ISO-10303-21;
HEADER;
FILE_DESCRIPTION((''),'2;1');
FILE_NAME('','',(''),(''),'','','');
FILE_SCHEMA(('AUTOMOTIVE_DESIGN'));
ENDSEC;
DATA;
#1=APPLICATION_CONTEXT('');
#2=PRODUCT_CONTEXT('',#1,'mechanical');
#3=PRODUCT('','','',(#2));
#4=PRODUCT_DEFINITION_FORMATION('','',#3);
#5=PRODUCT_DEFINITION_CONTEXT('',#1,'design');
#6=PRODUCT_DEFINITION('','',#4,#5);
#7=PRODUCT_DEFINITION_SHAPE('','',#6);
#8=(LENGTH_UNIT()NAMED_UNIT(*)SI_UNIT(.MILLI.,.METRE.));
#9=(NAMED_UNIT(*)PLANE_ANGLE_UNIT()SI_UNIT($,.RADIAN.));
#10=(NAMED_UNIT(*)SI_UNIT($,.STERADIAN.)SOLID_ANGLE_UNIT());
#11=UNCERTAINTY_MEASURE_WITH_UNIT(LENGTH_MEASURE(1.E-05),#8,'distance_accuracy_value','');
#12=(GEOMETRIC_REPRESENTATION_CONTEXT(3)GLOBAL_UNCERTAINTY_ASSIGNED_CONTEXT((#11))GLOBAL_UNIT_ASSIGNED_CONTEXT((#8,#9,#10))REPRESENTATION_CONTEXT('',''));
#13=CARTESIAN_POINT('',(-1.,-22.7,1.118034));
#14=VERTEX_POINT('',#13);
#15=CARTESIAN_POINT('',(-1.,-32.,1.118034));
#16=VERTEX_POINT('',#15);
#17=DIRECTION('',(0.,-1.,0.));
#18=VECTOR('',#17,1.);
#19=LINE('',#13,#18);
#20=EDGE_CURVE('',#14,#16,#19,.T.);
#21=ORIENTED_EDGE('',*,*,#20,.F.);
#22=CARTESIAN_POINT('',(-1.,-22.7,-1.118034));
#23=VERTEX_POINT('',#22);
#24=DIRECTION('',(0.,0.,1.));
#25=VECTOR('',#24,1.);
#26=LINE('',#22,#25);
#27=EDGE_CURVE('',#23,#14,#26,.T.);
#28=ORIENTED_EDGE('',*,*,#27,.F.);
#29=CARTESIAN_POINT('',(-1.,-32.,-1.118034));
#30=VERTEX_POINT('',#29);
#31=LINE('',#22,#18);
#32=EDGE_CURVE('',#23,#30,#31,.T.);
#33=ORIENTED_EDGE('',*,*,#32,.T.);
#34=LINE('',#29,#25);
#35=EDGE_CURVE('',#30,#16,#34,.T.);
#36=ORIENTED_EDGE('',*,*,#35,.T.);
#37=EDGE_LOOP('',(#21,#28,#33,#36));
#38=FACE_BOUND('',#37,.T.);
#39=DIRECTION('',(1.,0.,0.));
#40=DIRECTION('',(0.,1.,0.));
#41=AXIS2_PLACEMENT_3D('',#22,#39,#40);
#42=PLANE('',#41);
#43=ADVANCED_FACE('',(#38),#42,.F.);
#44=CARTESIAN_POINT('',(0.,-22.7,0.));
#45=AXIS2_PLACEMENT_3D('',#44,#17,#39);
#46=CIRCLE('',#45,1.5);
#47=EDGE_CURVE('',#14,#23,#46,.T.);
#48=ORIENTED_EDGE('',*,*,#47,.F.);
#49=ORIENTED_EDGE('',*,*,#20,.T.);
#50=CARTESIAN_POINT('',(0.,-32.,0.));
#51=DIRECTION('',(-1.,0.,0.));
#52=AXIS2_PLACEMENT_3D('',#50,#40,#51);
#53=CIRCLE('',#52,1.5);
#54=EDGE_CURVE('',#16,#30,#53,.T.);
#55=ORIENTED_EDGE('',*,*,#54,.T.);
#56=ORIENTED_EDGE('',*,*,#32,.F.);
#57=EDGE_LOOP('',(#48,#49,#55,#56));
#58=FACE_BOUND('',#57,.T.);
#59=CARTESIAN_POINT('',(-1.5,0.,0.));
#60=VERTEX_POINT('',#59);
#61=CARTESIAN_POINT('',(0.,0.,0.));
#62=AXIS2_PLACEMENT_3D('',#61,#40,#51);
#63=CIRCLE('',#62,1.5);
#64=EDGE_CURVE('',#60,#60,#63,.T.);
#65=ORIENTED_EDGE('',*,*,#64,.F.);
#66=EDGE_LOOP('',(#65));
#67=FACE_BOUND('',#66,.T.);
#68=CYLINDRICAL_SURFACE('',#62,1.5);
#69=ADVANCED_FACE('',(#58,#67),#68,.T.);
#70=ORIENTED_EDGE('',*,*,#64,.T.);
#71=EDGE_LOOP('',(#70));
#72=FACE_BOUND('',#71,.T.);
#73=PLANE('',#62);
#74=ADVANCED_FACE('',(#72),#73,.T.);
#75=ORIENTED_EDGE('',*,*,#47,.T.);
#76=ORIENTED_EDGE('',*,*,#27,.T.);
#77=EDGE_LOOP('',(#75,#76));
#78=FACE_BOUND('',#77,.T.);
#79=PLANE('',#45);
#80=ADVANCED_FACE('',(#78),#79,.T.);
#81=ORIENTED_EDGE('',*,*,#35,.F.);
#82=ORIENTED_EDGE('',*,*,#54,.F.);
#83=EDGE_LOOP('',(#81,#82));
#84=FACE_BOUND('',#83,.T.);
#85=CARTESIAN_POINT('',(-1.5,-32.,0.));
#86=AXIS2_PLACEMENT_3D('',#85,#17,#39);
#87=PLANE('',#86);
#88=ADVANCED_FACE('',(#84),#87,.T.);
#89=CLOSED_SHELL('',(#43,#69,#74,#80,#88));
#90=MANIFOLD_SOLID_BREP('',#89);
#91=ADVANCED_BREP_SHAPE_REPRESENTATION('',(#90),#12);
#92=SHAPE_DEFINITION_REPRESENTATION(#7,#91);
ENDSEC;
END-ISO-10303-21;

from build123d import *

# Parameters (mm, degrees)
SKETCH1_W        = 1.5
SKETCH1_H        = 32
EXTRUSION1_DEPTH = 9.3


with BuildPart() as part:
    # Sketch1 → Revolution1 (revolve)
    with BuildSketch(Plane(origin=(0, -7.683062836, 0), x_dir=(-1, 0, 0), z_dir=(0, 0, 1))):
        with Locations((0.75, 8.316937164)):
            Rectangle(SKETCH1_W, SKETCH1_H)
    revolve(axis=Axis((0, 0, 0), (0, -1, 0)))

    # Sketch2 → Extrusion1 (cut)
    with BuildSketch(Plane.XZ.offset(32)):
        with BuildLine():
            Line((-1, -1.118033989), (-1, 1.118033989))
            ThreePointArc((-1, 1.118033989), (-1.5, 0), (-1, -1.118033989))
        make_face()
    extrude(amount=-EXTRUSION1_DEPTH, mode=Mode.SUBTRACT)


solid = part.part
